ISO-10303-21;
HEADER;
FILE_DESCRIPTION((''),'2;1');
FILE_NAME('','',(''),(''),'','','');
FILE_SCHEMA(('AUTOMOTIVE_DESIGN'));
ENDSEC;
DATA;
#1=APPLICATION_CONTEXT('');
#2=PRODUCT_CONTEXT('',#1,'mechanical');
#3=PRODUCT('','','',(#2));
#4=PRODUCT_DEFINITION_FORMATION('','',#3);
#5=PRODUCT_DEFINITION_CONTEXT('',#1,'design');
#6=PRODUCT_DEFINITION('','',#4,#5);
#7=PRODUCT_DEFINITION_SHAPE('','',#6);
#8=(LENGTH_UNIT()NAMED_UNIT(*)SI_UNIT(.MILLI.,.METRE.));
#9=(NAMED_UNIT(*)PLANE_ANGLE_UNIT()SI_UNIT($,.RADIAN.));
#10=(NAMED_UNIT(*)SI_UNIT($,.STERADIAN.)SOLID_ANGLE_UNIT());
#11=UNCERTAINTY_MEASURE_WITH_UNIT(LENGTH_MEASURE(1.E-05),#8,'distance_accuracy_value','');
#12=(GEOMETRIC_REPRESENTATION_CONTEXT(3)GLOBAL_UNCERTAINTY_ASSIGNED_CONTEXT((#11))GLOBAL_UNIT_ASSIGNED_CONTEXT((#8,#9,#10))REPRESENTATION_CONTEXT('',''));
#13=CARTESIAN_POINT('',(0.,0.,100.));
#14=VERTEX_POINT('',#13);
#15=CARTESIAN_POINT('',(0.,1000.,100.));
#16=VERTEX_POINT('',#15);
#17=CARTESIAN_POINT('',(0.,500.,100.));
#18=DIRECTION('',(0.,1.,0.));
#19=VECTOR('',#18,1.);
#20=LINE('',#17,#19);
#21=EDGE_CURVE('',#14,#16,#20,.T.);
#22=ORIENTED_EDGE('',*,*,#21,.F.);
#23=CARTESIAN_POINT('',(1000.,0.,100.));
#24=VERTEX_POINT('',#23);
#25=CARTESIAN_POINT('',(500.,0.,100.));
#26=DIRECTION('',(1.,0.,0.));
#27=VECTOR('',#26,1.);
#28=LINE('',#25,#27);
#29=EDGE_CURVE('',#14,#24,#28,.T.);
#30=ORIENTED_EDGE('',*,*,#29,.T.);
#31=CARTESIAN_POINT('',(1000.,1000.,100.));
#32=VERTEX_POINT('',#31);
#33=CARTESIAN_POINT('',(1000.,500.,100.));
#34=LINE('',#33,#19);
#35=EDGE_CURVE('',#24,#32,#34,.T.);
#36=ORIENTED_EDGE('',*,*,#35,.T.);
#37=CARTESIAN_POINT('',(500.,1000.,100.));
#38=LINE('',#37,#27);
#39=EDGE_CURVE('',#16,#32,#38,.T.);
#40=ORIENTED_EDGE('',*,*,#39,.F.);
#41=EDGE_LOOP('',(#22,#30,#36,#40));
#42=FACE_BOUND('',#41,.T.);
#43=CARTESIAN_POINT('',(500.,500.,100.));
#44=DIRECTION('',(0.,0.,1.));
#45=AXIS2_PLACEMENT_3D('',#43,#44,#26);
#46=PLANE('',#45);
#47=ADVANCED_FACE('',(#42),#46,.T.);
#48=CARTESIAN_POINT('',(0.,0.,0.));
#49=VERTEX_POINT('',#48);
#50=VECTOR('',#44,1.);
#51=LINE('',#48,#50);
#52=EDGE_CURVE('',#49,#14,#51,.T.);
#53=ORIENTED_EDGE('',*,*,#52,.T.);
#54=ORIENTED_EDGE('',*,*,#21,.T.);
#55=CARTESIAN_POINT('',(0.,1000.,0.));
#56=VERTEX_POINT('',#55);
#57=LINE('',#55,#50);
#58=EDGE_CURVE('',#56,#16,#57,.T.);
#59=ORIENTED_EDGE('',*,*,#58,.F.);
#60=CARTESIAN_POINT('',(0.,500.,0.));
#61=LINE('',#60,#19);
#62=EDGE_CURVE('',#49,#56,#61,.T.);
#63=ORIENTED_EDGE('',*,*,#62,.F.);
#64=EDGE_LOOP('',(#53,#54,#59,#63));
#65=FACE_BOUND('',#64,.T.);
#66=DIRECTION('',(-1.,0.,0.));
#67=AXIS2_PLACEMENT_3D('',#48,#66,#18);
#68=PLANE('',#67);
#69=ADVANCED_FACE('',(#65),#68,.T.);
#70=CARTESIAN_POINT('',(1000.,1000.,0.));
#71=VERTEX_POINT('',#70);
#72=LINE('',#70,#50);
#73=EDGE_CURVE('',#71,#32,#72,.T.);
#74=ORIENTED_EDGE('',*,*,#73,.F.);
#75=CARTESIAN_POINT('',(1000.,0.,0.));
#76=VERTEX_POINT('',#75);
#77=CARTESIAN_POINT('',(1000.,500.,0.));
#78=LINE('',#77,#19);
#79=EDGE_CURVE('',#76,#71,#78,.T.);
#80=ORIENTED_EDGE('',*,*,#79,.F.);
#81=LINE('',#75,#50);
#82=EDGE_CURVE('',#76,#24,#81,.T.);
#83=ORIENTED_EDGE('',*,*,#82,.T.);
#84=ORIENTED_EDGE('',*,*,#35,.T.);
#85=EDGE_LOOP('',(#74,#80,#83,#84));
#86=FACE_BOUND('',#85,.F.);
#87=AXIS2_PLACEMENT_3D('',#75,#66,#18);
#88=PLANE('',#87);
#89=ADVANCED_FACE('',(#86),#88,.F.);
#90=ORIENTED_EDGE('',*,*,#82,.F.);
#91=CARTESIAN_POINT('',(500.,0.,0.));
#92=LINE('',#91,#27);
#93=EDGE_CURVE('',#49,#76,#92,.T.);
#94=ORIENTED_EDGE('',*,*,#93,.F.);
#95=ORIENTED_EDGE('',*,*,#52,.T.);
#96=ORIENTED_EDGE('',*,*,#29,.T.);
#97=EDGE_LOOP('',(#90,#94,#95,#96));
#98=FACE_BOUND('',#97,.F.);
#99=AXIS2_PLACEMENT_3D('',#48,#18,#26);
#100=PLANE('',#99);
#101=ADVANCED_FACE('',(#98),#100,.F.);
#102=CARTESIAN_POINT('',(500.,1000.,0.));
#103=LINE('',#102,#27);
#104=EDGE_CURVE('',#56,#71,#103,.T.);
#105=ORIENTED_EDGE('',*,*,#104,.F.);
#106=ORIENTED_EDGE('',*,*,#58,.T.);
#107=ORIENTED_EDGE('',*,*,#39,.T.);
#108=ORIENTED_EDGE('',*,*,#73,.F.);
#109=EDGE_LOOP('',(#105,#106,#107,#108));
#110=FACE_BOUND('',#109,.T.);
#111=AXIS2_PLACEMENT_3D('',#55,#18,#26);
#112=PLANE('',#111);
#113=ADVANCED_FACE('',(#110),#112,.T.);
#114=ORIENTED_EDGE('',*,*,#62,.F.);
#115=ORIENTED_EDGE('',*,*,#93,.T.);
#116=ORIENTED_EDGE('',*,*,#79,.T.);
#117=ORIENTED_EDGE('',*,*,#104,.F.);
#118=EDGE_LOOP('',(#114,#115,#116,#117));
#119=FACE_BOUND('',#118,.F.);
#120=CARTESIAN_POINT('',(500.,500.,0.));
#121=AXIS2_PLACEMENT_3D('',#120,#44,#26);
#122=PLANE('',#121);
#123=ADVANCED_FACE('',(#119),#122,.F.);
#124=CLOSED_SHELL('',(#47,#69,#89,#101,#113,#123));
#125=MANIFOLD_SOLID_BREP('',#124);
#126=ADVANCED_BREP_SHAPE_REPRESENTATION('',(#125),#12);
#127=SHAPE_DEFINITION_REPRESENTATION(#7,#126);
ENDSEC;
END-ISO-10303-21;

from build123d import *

# Parameters (mm, degrees)
BOX_W     = 1000
BOX_H     = 1000
BOX_DEPTH = 100


with BuildPart() as part:
    # Box → Box (new body)
    with BuildSketch(Plane.XY):
        with Locations((500, 500)):
            Rectangle(BOX_W, BOX_H)
    extrude(amount=BOX_DEPTH)


solid = part.part
